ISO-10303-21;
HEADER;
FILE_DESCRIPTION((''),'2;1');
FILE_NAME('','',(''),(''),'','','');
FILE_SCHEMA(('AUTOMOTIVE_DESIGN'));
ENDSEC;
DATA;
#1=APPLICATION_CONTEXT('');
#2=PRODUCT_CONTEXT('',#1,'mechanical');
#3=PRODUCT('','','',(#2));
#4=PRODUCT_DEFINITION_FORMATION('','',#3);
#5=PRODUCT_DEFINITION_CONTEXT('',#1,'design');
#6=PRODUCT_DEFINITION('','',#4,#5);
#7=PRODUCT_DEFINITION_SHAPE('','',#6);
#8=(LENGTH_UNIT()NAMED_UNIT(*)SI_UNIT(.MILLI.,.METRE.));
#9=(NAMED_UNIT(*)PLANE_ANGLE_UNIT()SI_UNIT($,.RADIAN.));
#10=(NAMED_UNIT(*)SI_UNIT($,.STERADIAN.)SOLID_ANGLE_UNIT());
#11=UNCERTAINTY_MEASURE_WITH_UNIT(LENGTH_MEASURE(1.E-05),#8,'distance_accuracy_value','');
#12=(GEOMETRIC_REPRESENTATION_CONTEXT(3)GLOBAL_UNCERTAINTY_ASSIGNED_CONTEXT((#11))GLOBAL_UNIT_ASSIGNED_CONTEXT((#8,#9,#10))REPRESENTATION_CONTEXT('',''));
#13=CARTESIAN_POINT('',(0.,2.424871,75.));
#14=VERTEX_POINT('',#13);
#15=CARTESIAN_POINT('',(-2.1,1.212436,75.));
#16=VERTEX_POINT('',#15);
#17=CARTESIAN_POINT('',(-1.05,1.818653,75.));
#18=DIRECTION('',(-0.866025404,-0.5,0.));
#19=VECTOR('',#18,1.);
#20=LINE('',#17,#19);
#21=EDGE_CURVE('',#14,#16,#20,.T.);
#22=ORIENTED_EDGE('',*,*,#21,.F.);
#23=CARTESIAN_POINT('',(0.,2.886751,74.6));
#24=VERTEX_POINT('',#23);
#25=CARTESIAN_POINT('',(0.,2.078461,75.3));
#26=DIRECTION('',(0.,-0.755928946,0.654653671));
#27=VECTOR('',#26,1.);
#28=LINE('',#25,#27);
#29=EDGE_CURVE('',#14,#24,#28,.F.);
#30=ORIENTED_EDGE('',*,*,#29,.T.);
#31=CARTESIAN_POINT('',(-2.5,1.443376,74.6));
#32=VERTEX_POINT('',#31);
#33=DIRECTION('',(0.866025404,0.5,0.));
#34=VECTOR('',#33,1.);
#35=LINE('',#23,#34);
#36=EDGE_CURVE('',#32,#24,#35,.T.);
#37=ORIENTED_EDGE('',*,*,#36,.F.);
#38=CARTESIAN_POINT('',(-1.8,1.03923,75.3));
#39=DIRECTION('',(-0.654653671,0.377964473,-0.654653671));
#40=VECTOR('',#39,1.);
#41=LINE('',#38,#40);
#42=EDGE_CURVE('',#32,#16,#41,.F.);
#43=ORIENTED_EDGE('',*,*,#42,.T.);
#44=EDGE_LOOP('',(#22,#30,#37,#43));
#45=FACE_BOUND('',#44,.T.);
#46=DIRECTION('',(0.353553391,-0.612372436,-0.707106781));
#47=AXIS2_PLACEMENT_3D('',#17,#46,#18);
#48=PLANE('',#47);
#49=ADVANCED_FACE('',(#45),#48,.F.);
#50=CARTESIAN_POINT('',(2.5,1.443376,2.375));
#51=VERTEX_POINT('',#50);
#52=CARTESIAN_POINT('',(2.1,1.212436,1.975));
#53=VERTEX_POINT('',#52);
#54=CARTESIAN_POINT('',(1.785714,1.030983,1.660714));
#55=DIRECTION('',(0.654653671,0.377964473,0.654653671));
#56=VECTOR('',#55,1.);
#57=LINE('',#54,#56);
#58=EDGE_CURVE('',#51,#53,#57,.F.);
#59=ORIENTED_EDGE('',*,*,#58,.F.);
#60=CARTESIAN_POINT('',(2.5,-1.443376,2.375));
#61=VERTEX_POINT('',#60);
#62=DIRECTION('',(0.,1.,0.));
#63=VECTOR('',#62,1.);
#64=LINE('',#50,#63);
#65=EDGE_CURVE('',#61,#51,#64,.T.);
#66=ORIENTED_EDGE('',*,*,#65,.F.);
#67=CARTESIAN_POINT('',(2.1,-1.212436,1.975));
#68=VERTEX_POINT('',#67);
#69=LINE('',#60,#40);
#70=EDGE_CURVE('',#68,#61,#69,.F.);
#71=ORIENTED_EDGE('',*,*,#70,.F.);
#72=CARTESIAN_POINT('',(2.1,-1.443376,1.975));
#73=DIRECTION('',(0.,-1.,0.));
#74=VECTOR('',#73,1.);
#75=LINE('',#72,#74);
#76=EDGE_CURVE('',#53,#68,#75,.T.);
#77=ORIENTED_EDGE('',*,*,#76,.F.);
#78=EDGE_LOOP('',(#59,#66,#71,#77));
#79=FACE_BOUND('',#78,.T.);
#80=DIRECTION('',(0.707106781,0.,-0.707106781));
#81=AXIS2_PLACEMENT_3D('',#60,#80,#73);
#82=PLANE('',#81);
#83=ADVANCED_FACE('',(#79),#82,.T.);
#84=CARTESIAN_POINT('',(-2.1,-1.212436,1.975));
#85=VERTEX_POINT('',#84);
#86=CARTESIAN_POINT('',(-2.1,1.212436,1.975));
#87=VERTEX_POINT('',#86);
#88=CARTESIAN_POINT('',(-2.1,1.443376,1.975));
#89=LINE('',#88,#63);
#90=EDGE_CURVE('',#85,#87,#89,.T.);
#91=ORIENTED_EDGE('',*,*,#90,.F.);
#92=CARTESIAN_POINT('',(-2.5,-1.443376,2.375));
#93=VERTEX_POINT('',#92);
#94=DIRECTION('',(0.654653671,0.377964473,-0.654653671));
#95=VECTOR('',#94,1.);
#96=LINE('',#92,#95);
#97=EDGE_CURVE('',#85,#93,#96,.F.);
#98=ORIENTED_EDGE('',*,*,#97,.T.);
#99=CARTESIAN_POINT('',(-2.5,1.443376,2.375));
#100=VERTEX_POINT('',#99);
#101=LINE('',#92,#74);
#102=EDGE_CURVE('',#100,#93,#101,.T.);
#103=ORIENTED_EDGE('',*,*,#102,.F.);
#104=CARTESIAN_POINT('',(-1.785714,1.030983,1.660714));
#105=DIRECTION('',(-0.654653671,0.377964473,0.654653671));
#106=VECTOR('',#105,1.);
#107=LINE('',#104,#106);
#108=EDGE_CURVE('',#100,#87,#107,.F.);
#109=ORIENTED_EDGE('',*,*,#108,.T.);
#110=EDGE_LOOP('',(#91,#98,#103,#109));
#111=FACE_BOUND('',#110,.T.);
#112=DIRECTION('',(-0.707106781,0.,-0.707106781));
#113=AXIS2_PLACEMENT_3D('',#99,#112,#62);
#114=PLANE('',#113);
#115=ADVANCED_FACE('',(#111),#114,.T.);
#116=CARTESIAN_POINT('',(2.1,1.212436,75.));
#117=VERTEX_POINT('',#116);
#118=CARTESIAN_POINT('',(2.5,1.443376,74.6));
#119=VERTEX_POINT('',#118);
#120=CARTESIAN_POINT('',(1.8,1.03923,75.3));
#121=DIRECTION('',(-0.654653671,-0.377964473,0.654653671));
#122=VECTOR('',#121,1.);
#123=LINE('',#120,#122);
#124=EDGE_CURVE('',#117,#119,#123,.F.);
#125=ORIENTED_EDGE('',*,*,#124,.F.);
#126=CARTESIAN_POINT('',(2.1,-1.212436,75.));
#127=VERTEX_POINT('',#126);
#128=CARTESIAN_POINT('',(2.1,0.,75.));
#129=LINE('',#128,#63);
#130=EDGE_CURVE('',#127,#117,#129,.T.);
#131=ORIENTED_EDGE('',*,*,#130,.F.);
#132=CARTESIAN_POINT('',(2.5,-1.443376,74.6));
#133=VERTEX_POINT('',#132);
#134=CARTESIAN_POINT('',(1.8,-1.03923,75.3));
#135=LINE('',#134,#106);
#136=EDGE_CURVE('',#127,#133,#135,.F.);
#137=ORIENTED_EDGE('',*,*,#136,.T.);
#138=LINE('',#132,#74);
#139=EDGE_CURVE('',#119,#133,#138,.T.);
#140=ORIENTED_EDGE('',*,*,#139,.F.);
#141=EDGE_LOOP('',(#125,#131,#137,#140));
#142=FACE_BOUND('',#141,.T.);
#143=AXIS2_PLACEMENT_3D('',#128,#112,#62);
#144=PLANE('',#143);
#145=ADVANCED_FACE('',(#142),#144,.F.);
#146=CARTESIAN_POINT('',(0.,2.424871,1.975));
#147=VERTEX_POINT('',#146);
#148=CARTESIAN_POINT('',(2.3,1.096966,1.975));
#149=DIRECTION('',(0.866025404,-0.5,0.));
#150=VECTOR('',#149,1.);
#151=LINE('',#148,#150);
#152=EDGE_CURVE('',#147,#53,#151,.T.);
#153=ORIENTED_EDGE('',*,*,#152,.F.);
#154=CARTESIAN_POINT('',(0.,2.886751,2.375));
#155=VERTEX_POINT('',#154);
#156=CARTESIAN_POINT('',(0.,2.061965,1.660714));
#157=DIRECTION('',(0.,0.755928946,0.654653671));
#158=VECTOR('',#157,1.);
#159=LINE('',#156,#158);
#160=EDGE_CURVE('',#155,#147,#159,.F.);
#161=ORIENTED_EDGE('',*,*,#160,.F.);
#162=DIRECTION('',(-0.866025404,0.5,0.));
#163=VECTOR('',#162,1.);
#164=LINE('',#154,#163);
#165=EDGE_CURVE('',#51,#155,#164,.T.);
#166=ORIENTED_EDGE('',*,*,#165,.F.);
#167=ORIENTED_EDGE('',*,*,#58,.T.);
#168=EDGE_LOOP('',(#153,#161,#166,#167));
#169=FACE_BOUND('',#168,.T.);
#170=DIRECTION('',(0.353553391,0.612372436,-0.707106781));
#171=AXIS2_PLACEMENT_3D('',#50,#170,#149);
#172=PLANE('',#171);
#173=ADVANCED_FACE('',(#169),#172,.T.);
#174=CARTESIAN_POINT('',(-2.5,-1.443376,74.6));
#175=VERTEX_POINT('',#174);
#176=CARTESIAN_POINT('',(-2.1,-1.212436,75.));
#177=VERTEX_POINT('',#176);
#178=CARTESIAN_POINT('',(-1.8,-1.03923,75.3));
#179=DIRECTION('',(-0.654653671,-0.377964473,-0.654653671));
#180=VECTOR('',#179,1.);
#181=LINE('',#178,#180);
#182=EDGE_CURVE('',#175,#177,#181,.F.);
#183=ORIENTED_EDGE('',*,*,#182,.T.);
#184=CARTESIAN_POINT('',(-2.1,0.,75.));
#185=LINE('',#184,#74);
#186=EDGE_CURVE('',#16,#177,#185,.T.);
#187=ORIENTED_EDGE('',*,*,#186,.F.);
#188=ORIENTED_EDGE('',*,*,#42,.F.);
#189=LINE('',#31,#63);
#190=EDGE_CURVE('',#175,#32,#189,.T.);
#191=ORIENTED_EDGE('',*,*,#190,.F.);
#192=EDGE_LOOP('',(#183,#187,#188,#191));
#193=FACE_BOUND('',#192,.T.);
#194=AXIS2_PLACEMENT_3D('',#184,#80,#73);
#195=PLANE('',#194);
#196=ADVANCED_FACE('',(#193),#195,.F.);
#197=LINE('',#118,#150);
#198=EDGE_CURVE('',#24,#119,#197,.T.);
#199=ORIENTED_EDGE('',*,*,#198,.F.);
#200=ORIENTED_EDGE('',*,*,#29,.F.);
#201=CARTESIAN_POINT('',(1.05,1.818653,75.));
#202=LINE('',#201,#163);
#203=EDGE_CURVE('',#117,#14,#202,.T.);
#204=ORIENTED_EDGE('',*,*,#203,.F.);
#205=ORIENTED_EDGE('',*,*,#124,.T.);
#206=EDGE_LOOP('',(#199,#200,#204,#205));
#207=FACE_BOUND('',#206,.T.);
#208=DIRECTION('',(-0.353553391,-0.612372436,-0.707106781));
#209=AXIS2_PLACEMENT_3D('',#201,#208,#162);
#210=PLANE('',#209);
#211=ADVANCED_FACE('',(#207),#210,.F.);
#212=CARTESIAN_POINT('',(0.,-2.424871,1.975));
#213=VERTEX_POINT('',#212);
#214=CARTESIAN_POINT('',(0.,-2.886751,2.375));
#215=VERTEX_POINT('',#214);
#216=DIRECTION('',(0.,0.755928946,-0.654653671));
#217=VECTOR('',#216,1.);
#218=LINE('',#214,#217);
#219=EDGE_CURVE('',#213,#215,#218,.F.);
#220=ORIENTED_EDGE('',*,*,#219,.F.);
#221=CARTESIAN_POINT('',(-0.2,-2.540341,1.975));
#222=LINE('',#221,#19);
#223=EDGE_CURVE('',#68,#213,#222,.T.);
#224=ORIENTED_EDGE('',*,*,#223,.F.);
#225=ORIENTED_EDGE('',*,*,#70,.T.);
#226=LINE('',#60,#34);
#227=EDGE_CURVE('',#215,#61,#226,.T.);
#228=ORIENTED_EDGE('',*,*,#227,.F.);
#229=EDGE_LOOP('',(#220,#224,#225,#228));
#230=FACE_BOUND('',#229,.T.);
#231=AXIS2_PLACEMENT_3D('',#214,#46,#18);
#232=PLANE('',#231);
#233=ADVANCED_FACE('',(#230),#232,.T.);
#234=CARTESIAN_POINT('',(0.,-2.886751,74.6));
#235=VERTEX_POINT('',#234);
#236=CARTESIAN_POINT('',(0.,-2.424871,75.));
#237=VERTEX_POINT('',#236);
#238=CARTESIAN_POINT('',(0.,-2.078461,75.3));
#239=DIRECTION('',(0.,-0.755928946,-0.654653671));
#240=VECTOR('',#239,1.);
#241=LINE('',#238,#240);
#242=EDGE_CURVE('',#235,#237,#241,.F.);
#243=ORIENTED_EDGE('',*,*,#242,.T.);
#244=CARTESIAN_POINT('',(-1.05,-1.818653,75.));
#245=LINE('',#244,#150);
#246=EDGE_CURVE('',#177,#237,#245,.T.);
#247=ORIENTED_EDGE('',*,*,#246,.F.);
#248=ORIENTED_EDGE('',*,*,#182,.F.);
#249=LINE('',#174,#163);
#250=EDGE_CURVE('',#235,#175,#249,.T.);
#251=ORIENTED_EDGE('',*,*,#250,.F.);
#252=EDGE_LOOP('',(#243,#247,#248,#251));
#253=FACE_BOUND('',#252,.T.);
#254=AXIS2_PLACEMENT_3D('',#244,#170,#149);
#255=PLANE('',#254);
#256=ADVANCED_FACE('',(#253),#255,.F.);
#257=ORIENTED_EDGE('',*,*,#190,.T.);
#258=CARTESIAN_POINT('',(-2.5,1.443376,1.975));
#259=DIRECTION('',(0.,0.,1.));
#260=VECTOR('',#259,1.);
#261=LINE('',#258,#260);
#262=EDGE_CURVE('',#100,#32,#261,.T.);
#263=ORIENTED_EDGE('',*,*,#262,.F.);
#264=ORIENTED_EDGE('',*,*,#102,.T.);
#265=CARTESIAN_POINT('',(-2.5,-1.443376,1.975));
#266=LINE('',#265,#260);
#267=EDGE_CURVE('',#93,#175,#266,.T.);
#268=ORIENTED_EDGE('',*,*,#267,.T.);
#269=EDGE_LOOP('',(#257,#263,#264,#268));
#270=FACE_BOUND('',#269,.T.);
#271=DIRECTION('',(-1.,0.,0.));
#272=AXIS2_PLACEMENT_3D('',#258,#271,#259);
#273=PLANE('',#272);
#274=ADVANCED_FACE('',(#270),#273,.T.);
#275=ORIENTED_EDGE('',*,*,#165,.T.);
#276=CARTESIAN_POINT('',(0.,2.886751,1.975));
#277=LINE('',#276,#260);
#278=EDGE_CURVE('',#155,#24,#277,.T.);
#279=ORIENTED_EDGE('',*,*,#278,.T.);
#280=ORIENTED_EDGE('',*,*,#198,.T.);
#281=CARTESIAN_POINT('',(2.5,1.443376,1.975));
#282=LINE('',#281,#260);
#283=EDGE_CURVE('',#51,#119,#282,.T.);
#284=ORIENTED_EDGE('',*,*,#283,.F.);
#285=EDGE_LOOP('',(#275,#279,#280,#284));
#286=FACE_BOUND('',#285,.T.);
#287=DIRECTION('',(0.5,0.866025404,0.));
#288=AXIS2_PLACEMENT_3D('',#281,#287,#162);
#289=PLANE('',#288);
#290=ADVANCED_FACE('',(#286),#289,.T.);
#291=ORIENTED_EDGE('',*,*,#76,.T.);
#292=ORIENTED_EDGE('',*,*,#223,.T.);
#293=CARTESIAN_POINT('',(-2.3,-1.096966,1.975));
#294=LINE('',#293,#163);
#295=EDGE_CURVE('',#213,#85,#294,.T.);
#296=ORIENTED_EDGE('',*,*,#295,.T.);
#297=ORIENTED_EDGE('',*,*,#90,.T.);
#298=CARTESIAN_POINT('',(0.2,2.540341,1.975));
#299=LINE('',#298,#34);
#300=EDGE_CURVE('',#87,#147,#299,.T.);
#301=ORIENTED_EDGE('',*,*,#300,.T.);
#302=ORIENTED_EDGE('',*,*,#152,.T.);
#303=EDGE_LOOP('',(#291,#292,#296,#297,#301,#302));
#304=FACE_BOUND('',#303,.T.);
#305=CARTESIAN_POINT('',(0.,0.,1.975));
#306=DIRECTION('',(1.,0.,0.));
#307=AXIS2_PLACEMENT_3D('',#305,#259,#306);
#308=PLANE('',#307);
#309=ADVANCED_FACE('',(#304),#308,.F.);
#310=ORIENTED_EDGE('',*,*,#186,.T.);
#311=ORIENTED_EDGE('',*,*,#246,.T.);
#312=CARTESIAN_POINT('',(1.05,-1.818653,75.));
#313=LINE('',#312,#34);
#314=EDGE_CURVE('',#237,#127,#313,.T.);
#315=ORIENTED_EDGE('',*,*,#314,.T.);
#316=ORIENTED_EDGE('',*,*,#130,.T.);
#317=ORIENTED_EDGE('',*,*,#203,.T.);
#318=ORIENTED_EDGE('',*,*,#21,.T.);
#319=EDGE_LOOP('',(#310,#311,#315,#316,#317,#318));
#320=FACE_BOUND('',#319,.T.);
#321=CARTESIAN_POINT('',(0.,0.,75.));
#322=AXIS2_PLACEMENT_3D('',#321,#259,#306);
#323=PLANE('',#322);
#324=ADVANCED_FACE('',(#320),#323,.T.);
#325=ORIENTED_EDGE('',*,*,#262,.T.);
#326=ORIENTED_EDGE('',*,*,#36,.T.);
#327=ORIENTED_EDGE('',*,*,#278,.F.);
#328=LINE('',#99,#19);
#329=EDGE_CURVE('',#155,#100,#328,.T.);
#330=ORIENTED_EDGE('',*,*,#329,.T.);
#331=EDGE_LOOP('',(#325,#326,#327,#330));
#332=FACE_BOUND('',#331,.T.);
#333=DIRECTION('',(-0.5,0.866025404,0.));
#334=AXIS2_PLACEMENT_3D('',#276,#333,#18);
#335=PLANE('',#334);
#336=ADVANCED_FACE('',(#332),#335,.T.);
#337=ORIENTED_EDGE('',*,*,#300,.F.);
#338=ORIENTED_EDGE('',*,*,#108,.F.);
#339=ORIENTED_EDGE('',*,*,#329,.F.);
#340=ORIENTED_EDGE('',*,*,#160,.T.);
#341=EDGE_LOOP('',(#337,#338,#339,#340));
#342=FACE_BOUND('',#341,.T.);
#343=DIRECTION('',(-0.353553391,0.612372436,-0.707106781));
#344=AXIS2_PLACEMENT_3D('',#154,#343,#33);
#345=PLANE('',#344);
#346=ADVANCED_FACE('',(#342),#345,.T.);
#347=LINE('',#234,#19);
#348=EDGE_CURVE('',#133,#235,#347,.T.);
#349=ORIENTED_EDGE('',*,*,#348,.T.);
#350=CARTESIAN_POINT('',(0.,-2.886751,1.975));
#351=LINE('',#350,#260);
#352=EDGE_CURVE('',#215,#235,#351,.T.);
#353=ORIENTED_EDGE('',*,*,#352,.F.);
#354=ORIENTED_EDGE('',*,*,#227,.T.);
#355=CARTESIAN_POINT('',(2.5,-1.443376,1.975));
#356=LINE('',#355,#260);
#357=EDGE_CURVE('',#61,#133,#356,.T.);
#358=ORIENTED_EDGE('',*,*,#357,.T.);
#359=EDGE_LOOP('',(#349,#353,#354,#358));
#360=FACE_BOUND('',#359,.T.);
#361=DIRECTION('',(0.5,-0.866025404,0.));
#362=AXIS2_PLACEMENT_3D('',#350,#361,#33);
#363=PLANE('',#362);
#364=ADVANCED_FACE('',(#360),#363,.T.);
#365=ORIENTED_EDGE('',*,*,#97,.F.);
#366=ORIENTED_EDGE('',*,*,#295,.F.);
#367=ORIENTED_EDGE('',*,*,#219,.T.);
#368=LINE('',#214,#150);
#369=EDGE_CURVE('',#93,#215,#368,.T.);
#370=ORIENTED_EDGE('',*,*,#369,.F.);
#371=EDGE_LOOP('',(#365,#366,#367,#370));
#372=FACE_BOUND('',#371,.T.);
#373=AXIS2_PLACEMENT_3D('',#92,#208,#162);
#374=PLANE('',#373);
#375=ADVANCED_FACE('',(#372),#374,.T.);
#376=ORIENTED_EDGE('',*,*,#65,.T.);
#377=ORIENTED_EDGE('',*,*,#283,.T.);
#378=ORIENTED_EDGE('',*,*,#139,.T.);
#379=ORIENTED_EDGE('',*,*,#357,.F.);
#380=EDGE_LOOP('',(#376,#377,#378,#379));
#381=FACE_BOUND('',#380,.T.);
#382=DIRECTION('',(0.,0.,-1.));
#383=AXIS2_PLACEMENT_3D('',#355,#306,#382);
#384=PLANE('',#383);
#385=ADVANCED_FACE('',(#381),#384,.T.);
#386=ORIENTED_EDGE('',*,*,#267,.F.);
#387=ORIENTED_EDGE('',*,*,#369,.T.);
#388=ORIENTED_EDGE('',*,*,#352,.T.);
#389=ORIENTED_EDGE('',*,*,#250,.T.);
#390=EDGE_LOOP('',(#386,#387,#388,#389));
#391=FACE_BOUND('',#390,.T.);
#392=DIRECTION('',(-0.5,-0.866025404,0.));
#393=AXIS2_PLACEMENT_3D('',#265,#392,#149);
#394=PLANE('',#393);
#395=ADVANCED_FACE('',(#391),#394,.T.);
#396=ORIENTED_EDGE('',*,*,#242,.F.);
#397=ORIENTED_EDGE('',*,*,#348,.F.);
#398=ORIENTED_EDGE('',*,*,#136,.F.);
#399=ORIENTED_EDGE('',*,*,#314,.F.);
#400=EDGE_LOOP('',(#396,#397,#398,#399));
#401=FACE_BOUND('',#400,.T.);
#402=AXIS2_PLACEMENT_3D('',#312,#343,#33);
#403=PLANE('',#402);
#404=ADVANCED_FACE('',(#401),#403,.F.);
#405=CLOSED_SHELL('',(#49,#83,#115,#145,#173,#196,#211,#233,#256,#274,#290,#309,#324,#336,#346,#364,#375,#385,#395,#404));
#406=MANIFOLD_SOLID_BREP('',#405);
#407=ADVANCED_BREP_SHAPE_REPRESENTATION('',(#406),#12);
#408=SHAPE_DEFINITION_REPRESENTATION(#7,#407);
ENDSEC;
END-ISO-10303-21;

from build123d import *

# Parameters (mm, degrees)
BOSS_EXTRUDE1_DEPTH = 73.025
CHAMFER1_SIZE       = 0.4


with BuildPart() as part:
    # Sketch1 → Boss-Extrude1 (new body)
    with BuildSketch(Plane.XY.offset(75)):
        Polygon((0, -2.886751346), (2.5, -1.443375673), (2.5, 1.443375673), (0, 2.886751346), (-2.5, 1.443375673), (-2.5, -1.443375673), align=None)
    extrude(amount=-BOSS_EXTRUDE1_DEPTH)

    # Chamfer1
    chamfer1_edges = [part.edges().sort_by_distance(p)[0] for p in [
        (2.5, 0, 1.975),
        (1.25, 2.165063509, 1.975),
        (-1.25, 2.165063509, 1.975),
        (-2.5, 0, 1.975),
        (-1.25, -2.165063509, 1.975),
        (-2.5, 0, 75),
        (-1.25, 2.165063509, 75),
        (1.25, 2.165063509, 75),
        (1.25, -2.165063509, 1.975),
        (2.5, 0, 75),
        (1.25, -2.165063509, 75),
        (-1.25, -2.165063509, 75),
    ]]
    chamfer(chamfer1_edges, length=CHAMFER1_SIZE)


solid = part.part
